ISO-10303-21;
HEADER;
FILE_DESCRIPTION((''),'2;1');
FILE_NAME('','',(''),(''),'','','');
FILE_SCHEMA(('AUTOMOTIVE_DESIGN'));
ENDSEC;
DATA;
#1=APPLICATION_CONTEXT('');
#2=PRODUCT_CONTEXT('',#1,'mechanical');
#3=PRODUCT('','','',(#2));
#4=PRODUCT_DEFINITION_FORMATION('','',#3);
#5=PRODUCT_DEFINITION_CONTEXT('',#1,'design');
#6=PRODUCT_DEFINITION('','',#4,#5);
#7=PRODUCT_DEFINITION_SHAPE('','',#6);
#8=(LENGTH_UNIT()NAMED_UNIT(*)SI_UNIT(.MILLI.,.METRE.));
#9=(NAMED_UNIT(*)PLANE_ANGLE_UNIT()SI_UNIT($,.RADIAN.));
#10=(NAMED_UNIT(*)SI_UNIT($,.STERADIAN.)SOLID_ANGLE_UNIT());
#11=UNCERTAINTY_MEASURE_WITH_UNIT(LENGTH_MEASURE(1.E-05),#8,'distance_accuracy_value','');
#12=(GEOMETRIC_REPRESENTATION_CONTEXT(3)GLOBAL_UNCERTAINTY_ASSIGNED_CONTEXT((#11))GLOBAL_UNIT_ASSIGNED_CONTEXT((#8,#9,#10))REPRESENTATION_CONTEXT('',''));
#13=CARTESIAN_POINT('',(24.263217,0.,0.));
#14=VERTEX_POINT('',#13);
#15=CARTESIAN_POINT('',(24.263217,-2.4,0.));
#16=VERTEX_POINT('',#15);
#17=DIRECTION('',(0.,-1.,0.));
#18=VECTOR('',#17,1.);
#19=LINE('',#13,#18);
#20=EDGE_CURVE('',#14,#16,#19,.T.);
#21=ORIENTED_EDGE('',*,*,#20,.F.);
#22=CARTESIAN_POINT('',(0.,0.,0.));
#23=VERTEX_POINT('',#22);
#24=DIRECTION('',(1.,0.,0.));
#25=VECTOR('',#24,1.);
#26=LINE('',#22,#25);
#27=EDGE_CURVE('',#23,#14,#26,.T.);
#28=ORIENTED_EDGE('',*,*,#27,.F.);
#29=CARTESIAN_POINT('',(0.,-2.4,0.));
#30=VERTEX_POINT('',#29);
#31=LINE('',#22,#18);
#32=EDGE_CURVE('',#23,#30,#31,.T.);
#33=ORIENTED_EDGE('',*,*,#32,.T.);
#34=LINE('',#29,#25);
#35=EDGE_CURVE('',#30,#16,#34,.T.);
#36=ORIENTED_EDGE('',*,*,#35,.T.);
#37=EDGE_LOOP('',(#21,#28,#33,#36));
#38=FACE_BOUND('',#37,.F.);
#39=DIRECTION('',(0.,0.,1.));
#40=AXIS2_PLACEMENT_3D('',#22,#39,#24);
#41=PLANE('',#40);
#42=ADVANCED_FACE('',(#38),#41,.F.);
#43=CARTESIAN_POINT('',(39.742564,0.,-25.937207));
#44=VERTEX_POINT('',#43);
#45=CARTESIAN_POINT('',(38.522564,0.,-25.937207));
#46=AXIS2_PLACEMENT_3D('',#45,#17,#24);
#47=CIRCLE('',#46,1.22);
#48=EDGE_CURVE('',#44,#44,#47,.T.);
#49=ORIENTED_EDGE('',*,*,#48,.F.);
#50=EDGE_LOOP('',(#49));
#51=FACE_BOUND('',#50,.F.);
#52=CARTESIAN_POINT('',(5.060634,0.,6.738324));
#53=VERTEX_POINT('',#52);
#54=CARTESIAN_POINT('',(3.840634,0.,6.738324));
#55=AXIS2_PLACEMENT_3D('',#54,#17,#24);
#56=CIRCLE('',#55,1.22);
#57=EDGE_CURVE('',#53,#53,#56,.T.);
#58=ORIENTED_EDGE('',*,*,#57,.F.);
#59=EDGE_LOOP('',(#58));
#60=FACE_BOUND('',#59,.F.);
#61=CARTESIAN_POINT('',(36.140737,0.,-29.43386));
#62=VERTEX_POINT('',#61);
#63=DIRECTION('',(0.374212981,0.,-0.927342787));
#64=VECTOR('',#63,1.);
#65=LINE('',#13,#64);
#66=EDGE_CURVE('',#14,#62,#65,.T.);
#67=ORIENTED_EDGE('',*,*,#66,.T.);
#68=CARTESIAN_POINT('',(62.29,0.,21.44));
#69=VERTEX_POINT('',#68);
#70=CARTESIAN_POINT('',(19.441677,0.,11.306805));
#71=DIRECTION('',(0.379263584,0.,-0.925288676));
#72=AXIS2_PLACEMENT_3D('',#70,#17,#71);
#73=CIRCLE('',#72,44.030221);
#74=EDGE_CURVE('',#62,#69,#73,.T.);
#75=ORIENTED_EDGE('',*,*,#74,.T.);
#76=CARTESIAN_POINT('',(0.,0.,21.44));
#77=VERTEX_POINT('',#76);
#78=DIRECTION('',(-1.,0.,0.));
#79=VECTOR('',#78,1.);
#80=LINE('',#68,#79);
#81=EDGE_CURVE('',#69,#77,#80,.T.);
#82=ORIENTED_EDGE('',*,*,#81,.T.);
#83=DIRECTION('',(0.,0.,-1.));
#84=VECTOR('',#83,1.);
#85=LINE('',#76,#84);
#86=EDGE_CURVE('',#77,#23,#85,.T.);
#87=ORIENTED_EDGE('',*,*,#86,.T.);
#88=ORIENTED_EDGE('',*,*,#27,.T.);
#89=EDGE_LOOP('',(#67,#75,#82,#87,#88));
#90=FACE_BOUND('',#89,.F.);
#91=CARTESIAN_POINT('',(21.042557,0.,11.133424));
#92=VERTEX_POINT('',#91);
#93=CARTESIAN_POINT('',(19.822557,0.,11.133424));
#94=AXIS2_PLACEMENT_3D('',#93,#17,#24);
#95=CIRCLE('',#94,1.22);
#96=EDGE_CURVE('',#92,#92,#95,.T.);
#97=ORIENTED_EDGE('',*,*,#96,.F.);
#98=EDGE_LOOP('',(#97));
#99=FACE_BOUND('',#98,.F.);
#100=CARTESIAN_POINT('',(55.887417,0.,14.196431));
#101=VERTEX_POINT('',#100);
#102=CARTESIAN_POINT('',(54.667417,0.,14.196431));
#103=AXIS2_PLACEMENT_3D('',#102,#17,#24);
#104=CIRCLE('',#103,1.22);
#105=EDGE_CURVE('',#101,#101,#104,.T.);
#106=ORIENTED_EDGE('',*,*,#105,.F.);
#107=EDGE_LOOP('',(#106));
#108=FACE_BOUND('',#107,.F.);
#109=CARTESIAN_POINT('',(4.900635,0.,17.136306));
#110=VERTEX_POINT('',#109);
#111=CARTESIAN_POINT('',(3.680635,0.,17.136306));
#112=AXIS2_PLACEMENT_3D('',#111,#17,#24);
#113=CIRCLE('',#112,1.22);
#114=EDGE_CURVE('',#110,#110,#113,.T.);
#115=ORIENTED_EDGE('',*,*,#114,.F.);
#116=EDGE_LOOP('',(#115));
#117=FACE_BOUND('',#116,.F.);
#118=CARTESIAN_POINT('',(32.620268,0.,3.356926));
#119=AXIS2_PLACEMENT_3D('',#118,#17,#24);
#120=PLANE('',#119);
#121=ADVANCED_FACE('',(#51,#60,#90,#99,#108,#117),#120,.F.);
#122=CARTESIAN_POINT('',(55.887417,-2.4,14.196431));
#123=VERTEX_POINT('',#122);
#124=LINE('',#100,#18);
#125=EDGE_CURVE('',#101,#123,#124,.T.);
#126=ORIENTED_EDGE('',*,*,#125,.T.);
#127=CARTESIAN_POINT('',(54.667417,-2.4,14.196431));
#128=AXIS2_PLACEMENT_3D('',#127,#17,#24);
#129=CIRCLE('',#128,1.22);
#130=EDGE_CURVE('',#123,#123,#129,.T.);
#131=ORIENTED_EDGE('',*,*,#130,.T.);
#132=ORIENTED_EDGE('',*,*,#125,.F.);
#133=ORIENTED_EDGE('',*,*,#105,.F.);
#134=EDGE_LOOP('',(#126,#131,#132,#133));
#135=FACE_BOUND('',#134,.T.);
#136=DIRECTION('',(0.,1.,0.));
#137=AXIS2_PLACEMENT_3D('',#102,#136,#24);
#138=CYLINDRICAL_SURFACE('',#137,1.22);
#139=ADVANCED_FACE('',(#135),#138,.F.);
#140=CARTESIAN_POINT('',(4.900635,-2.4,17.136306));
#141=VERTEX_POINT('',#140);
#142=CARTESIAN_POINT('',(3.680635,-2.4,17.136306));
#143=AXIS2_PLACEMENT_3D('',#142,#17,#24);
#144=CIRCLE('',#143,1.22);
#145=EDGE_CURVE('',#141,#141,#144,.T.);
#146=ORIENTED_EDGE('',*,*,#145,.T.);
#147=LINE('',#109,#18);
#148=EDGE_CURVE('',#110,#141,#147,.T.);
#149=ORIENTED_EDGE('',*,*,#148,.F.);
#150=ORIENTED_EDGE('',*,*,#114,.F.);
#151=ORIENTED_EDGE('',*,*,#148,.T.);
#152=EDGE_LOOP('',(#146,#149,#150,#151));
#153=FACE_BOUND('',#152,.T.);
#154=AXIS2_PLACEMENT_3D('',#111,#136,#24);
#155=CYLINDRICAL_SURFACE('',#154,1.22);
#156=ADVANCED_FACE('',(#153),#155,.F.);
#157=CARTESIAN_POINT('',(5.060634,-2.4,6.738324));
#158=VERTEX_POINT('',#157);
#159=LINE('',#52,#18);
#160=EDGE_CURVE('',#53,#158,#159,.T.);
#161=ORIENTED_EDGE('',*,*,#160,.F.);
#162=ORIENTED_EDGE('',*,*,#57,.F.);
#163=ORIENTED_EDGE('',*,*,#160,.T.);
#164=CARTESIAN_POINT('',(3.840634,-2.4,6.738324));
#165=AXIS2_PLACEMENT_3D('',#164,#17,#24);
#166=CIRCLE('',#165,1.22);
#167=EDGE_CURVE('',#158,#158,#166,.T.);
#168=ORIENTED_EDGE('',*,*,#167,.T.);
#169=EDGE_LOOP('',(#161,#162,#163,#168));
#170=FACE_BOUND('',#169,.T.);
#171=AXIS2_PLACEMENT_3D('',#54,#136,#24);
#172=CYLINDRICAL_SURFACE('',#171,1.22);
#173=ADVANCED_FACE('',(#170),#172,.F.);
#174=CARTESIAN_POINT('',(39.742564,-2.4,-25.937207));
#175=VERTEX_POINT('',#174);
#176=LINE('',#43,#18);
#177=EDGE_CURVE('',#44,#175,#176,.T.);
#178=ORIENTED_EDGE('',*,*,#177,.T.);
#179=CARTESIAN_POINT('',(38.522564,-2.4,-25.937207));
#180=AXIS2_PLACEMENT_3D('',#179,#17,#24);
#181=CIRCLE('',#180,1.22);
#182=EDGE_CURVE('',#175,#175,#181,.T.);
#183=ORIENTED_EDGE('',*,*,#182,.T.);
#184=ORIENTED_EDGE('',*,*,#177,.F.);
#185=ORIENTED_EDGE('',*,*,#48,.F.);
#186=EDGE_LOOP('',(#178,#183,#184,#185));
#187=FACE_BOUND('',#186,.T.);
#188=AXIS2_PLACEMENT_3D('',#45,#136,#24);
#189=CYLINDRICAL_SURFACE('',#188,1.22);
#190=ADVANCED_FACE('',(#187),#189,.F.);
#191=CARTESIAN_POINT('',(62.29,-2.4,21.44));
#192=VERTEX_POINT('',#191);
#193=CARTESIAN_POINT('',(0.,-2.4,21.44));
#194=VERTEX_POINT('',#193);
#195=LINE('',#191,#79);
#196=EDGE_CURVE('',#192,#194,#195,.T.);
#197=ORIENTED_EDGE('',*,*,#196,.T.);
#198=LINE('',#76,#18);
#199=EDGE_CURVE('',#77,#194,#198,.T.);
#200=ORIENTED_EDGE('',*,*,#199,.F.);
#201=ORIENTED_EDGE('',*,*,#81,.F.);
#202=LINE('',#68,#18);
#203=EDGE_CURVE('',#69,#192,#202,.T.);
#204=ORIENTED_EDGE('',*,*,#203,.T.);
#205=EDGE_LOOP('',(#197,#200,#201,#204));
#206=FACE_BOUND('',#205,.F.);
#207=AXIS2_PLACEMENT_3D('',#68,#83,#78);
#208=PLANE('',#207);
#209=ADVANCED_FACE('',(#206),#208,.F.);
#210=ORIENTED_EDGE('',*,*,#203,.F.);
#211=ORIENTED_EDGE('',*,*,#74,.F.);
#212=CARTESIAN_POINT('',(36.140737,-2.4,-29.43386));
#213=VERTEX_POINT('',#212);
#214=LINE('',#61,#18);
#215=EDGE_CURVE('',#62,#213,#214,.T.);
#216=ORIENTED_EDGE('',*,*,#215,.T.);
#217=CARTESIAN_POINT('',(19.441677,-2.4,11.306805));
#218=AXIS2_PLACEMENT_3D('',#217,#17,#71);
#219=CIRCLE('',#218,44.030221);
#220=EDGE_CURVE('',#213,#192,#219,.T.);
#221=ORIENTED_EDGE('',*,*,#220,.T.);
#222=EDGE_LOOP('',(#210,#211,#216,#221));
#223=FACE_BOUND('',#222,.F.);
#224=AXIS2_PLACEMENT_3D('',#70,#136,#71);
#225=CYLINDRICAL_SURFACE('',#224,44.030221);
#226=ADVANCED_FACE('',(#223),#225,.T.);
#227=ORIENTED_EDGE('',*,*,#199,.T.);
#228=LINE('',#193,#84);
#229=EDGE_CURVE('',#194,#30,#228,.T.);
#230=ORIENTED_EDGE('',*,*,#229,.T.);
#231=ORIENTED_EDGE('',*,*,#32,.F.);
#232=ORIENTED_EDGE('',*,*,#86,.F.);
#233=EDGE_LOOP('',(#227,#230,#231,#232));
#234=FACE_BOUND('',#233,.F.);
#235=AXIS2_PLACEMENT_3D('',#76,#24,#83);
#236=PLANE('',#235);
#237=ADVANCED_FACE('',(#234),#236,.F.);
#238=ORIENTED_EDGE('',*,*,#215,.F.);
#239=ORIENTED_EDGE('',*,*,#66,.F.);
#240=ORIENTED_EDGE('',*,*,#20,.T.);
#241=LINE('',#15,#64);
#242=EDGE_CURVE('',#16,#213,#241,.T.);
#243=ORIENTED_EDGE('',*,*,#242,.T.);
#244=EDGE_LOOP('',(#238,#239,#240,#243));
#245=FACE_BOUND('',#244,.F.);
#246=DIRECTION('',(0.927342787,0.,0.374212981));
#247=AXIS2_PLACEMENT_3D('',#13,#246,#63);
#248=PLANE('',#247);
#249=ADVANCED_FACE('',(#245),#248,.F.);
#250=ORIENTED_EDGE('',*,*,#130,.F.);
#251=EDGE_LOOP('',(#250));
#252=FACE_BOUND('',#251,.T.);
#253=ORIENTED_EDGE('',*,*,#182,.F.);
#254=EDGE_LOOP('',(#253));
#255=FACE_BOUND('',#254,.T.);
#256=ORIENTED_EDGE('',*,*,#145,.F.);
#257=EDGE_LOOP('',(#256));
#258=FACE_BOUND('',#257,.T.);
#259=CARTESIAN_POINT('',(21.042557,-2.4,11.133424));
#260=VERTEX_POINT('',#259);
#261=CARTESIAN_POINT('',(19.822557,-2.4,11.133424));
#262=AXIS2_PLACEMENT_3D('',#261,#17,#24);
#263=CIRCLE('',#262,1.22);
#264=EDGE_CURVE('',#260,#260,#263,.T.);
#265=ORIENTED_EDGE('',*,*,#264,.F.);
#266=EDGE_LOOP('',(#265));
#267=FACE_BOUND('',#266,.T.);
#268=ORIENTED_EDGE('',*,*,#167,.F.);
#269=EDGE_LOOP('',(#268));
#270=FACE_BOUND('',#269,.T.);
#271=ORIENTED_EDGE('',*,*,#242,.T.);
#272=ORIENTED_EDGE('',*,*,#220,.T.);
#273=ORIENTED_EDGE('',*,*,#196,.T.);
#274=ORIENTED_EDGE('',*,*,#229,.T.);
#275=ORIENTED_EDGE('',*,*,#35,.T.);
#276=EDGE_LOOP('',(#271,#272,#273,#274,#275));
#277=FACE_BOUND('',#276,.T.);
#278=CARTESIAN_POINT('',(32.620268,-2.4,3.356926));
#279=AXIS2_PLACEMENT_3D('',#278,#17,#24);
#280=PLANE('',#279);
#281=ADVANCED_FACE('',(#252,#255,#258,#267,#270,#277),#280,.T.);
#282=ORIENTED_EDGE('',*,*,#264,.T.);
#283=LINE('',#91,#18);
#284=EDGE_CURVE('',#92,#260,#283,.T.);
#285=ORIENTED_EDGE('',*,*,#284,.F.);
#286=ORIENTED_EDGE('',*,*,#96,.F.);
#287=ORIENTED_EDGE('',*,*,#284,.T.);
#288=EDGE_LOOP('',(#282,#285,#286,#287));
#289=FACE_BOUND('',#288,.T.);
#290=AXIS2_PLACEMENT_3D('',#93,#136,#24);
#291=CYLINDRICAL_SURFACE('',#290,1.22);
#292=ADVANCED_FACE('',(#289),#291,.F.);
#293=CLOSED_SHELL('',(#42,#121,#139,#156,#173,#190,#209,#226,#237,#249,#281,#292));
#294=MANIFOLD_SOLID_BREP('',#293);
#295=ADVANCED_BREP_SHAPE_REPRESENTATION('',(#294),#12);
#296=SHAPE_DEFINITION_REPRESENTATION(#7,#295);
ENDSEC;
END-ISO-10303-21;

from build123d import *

# Parameters (mm, degrees)
F0_R     = 1.22
F1_DEPTH = 2.4


with BuildPart() as f1:
    # F0 (on Front) → F1 (new body)
    with BuildSketch(Plane.XZ):
        with BuildLine():
            Line((62.29, 21.44), (0, 21.44))
            Line((0, 21.44), (0, 0))
            Line((0, 0), (24.263217, 0))
            Line((24.263217, 0), (36.140737, -29.43386))
            ThreePointArc((36.140737, -29.43386), (58.601735, -8.82154), (62.29, 21.44))
        make_face()
        with Locations((38.522564, -25.937207)):
            Circle(F0_R, mode=Mode.SUBTRACT)
        with Locations((3.840634, 6.738324)):
            Circle(F0_R, mode=Mode.SUBTRACT)
        with Locations((3.680635, 17.136306)):
            Circle(F0_R, mode=Mode.SUBTRACT)
        with Locations((19.822557, 11.133424)):
            Circle(F0_R, mode=Mode.SUBTRACT)
        with Locations((54.667417, 14.196431)):
            Circle(F0_R, mode=Mode.SUBTRACT)
    extrude(amount=F1_DEPTH)


solid = f1.part
